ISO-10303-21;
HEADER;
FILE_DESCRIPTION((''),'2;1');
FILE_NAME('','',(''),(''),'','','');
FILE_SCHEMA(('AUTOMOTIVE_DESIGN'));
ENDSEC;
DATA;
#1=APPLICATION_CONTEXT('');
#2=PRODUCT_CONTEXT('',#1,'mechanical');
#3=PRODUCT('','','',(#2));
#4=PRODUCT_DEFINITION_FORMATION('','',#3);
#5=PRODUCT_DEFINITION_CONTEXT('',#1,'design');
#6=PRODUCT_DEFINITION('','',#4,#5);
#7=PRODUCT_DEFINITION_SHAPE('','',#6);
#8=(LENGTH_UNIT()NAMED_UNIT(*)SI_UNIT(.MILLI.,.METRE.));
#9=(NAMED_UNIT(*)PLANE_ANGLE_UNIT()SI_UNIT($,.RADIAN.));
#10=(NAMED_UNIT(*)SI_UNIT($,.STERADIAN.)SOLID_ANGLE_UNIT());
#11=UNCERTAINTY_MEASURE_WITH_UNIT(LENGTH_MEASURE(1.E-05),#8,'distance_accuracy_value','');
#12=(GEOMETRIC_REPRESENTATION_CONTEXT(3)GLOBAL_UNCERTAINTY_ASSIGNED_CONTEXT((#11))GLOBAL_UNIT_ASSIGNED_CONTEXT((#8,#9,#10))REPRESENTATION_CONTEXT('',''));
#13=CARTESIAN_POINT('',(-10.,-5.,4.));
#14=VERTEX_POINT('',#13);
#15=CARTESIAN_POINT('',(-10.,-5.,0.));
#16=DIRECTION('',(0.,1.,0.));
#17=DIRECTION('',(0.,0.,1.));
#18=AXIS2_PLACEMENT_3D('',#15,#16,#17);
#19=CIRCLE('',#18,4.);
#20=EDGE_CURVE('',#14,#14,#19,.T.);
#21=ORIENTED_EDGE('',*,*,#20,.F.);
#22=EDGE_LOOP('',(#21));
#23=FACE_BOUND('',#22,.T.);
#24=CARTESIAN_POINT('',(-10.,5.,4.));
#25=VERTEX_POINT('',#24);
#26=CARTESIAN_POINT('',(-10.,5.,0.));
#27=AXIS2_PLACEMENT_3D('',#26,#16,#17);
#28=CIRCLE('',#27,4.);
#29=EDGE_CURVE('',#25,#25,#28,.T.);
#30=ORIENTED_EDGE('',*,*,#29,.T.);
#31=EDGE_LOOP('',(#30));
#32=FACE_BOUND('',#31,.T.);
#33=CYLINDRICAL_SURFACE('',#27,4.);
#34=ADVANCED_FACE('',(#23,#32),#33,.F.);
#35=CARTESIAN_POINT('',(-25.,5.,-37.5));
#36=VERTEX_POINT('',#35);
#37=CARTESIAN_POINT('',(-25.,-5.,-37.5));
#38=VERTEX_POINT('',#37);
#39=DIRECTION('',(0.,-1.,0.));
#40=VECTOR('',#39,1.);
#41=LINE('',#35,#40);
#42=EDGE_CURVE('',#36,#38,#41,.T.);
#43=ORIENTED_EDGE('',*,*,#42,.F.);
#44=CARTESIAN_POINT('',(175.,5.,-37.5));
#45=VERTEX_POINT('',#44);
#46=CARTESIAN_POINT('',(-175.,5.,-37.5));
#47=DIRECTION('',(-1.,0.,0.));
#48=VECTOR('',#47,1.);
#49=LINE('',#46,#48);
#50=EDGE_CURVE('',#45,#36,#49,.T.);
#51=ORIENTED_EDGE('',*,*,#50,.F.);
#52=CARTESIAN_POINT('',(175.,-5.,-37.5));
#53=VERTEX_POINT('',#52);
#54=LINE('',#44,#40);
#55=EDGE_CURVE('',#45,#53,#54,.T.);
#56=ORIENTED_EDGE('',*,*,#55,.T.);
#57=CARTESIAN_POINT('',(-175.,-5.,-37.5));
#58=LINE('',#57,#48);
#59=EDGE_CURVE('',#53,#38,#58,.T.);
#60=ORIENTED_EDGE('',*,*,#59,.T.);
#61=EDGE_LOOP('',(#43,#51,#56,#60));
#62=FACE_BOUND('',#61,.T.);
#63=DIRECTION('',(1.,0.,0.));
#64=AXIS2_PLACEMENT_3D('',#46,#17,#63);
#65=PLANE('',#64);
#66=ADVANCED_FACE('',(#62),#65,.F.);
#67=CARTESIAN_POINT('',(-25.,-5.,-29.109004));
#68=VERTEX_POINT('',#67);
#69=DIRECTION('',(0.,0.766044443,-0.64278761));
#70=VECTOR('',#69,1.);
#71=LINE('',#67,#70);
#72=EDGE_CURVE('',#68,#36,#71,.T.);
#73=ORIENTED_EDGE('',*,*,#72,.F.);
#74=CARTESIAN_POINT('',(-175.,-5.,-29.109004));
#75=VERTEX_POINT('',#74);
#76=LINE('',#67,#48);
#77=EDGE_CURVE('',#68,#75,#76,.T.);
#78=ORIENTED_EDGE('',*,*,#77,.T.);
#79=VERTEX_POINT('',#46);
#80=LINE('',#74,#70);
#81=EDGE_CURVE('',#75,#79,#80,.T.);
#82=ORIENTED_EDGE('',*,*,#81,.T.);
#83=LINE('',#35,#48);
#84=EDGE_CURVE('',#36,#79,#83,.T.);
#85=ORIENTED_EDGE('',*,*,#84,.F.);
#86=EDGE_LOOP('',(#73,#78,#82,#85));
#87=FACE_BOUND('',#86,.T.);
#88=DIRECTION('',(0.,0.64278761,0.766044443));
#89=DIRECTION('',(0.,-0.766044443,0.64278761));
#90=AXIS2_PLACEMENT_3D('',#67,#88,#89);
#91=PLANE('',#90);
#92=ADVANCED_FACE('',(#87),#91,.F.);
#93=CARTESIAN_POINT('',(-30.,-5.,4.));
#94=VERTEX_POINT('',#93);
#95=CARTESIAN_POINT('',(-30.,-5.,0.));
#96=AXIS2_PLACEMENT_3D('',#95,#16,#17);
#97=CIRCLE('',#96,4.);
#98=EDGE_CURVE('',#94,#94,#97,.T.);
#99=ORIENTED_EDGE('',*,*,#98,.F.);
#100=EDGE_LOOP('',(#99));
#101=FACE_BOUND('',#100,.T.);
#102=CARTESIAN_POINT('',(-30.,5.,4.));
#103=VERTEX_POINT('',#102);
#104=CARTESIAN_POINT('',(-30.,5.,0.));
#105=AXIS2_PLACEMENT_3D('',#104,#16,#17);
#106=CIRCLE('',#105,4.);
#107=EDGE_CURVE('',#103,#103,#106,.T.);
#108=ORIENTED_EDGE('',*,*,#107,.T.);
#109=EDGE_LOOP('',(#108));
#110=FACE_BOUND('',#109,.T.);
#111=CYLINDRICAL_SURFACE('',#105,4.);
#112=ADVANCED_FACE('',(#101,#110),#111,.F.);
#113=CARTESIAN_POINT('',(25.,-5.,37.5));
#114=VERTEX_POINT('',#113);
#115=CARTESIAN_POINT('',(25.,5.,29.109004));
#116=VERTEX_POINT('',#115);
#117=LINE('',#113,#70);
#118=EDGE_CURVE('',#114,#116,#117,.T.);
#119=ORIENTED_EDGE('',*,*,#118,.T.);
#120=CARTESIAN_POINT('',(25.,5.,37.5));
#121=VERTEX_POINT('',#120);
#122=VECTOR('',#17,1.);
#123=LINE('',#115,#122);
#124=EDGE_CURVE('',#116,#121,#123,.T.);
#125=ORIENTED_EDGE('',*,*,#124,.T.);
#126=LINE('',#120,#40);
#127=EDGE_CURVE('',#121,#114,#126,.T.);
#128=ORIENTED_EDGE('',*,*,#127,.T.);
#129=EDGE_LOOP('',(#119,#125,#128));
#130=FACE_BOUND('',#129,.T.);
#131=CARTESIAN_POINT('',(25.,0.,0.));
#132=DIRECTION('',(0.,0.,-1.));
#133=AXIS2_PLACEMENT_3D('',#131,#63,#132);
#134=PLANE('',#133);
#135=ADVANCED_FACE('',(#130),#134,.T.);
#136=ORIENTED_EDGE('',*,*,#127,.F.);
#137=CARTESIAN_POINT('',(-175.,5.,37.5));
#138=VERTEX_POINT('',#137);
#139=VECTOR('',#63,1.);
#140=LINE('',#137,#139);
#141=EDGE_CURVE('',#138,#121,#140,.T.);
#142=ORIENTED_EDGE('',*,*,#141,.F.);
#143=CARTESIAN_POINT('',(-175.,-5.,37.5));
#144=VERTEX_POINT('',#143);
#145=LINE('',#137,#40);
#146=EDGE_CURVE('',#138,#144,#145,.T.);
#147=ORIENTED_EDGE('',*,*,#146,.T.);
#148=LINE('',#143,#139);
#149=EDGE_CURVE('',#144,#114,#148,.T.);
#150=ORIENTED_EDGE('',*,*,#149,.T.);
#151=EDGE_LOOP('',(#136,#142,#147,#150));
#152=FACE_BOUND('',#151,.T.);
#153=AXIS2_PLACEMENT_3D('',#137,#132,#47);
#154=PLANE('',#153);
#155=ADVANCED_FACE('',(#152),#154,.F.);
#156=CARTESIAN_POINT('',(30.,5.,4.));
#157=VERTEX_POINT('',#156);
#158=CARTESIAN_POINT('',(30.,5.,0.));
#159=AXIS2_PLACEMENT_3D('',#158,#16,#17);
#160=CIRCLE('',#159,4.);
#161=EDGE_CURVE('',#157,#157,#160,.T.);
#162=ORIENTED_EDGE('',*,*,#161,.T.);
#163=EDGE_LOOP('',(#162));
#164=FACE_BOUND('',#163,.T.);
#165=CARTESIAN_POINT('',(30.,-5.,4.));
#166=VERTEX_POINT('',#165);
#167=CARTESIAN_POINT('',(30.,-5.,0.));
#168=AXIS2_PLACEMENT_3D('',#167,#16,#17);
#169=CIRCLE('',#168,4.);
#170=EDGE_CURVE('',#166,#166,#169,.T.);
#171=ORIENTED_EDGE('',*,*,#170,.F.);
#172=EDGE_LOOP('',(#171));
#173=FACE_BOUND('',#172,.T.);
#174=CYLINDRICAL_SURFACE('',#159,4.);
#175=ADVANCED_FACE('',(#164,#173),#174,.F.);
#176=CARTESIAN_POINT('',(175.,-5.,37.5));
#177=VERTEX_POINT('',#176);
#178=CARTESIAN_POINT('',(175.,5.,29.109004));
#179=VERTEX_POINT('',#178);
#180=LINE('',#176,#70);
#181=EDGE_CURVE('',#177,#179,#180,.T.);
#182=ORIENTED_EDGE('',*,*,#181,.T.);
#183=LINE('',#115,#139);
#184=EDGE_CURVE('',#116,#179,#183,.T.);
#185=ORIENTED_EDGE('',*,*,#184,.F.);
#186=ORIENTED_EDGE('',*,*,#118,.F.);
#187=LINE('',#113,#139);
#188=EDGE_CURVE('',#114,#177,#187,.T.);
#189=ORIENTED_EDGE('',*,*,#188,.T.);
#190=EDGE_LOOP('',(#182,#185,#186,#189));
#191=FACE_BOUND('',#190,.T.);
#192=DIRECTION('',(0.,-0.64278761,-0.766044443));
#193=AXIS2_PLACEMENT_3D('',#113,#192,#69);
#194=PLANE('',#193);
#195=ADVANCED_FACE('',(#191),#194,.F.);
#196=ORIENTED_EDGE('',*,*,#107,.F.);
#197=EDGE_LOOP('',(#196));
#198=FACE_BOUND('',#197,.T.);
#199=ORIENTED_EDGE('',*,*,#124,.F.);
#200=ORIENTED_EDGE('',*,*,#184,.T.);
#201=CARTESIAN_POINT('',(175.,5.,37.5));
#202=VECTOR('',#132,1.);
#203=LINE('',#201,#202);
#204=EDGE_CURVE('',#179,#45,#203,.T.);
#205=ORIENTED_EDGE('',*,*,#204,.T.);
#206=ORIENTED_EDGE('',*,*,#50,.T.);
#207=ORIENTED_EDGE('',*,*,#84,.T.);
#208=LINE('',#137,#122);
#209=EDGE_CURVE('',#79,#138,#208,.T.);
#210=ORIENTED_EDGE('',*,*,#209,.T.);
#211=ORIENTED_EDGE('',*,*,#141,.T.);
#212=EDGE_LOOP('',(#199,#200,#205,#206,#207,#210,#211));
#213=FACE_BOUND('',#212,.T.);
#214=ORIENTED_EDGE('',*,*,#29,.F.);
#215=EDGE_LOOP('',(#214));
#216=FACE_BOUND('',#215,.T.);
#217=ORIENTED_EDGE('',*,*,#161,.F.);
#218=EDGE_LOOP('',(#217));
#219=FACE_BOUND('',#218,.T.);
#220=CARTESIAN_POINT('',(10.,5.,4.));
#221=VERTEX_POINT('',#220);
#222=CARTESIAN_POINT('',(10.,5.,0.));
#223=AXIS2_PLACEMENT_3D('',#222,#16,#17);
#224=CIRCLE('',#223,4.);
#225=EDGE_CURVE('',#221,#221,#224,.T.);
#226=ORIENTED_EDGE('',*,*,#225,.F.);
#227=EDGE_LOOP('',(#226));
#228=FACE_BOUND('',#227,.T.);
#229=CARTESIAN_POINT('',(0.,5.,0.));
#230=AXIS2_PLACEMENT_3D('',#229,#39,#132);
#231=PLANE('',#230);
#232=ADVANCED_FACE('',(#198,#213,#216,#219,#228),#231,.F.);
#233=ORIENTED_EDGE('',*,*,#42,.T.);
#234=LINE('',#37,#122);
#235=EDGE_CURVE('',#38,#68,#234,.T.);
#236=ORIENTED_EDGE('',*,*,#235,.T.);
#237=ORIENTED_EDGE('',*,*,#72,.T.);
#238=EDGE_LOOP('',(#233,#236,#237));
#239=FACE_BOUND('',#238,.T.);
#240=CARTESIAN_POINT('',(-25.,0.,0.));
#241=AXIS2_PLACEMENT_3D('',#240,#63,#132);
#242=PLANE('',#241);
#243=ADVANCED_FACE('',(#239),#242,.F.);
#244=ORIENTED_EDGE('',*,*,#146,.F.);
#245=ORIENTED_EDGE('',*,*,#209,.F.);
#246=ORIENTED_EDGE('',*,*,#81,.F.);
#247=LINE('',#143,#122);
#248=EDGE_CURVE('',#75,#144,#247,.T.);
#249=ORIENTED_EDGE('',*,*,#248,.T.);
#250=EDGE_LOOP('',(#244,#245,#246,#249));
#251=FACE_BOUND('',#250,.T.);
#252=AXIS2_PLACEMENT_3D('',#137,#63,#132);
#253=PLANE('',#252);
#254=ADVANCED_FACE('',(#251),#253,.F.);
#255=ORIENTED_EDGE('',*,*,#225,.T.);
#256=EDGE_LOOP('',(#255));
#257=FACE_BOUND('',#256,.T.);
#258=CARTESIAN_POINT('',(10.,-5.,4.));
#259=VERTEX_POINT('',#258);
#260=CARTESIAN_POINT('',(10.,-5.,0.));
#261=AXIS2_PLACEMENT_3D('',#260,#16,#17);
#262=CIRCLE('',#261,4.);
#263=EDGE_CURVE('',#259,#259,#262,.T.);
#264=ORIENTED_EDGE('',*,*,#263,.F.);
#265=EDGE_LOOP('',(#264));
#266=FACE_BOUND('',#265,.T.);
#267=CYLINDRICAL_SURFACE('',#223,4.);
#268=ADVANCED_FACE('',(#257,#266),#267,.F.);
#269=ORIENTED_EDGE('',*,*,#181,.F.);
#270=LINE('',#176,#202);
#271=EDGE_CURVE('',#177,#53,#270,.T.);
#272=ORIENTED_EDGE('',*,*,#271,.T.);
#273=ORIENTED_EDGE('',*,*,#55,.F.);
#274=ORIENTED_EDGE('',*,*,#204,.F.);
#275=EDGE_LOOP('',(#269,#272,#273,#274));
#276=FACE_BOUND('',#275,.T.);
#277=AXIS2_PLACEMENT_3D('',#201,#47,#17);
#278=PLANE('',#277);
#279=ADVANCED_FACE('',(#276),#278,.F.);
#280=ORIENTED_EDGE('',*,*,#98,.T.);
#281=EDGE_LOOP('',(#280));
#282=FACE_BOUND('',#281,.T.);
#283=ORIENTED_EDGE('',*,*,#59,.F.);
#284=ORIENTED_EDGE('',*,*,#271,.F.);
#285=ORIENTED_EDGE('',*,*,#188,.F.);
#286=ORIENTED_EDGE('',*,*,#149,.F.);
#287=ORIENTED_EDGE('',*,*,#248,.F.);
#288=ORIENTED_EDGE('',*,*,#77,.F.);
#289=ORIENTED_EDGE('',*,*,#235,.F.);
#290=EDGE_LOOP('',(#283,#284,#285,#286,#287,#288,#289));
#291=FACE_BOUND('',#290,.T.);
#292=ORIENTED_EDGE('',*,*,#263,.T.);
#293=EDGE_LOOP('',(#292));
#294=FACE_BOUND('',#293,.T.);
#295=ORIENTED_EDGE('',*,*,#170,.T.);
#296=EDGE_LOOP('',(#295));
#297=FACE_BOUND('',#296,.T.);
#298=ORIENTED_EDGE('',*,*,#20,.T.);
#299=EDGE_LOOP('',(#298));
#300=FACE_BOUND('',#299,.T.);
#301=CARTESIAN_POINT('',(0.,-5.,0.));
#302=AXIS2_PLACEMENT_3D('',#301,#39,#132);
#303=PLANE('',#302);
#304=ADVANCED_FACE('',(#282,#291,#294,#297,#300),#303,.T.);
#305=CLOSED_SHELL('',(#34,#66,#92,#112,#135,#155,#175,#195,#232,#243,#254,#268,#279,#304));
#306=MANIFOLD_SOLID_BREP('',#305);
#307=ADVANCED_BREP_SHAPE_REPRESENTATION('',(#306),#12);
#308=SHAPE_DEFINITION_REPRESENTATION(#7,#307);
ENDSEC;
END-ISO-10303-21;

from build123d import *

# Parameters (mm, degrees)
SKETCH1_W             = 350
SKETCH1_H             = 75
BOSS_EXTRUDE2_DEPTH   = 5
F_8_0MM_DOWEL_HOLE1_D = 8
CUT_EXTRUDE3_DEPTH    = 150
CUT_EXTRUDE4_DEPTH    = 150


with BuildPart() as part:
    # Sketch1 → Boss-Extrude2 (new, symmetric)
    with BuildSketch(Plane(origin=(0, 0, 0), x_dir=(1, 0, 0), z_dir=(0, 1, 0))):
        Rectangle(SKETCH1_W, SKETCH1_H)
    extrude(amount=BOSS_EXTRUDE2_DEPTH, both=True)

    # Ø8.0mm Dowel Hole1 (through all)
    with Locations(Plane(origin=(0, 5, 0), x_dir=(1, 0, 0), z_dir=(0, 1, 0))):
        with Locations((10, 0), (30, 0), (-10, 0), (-30, 0)):
            Hole(F_8_0MM_DOWEL_HOLE1_D / 2)

    # Sketch10 → Cut-Extrude3 (cut)
    with BuildSketch(Plane(origin=(175, 0, 0), x_dir=(0, 0, -1), z_dir=(1, 0, 0))):
        Polygon((-37.5, 5), (-37.5, -5), (-29.109003688, 5), align=None)
    extrude(amount=-CUT_EXTRUDE3_DEPTH, mode=Mode.SUBTRACT)

    # Sketch11 → Cut-Extrude4 (cut)
    with BuildSketch(Plane.ZY.offset(175)):
        Polygon((-37.5, 5), (-37.5, -5), (-29.109003688, -5), align=None)
    extrude(amount=-CUT_EXTRUDE4_DEPTH, mode=Mode.SUBTRACT)


solid = part.part
